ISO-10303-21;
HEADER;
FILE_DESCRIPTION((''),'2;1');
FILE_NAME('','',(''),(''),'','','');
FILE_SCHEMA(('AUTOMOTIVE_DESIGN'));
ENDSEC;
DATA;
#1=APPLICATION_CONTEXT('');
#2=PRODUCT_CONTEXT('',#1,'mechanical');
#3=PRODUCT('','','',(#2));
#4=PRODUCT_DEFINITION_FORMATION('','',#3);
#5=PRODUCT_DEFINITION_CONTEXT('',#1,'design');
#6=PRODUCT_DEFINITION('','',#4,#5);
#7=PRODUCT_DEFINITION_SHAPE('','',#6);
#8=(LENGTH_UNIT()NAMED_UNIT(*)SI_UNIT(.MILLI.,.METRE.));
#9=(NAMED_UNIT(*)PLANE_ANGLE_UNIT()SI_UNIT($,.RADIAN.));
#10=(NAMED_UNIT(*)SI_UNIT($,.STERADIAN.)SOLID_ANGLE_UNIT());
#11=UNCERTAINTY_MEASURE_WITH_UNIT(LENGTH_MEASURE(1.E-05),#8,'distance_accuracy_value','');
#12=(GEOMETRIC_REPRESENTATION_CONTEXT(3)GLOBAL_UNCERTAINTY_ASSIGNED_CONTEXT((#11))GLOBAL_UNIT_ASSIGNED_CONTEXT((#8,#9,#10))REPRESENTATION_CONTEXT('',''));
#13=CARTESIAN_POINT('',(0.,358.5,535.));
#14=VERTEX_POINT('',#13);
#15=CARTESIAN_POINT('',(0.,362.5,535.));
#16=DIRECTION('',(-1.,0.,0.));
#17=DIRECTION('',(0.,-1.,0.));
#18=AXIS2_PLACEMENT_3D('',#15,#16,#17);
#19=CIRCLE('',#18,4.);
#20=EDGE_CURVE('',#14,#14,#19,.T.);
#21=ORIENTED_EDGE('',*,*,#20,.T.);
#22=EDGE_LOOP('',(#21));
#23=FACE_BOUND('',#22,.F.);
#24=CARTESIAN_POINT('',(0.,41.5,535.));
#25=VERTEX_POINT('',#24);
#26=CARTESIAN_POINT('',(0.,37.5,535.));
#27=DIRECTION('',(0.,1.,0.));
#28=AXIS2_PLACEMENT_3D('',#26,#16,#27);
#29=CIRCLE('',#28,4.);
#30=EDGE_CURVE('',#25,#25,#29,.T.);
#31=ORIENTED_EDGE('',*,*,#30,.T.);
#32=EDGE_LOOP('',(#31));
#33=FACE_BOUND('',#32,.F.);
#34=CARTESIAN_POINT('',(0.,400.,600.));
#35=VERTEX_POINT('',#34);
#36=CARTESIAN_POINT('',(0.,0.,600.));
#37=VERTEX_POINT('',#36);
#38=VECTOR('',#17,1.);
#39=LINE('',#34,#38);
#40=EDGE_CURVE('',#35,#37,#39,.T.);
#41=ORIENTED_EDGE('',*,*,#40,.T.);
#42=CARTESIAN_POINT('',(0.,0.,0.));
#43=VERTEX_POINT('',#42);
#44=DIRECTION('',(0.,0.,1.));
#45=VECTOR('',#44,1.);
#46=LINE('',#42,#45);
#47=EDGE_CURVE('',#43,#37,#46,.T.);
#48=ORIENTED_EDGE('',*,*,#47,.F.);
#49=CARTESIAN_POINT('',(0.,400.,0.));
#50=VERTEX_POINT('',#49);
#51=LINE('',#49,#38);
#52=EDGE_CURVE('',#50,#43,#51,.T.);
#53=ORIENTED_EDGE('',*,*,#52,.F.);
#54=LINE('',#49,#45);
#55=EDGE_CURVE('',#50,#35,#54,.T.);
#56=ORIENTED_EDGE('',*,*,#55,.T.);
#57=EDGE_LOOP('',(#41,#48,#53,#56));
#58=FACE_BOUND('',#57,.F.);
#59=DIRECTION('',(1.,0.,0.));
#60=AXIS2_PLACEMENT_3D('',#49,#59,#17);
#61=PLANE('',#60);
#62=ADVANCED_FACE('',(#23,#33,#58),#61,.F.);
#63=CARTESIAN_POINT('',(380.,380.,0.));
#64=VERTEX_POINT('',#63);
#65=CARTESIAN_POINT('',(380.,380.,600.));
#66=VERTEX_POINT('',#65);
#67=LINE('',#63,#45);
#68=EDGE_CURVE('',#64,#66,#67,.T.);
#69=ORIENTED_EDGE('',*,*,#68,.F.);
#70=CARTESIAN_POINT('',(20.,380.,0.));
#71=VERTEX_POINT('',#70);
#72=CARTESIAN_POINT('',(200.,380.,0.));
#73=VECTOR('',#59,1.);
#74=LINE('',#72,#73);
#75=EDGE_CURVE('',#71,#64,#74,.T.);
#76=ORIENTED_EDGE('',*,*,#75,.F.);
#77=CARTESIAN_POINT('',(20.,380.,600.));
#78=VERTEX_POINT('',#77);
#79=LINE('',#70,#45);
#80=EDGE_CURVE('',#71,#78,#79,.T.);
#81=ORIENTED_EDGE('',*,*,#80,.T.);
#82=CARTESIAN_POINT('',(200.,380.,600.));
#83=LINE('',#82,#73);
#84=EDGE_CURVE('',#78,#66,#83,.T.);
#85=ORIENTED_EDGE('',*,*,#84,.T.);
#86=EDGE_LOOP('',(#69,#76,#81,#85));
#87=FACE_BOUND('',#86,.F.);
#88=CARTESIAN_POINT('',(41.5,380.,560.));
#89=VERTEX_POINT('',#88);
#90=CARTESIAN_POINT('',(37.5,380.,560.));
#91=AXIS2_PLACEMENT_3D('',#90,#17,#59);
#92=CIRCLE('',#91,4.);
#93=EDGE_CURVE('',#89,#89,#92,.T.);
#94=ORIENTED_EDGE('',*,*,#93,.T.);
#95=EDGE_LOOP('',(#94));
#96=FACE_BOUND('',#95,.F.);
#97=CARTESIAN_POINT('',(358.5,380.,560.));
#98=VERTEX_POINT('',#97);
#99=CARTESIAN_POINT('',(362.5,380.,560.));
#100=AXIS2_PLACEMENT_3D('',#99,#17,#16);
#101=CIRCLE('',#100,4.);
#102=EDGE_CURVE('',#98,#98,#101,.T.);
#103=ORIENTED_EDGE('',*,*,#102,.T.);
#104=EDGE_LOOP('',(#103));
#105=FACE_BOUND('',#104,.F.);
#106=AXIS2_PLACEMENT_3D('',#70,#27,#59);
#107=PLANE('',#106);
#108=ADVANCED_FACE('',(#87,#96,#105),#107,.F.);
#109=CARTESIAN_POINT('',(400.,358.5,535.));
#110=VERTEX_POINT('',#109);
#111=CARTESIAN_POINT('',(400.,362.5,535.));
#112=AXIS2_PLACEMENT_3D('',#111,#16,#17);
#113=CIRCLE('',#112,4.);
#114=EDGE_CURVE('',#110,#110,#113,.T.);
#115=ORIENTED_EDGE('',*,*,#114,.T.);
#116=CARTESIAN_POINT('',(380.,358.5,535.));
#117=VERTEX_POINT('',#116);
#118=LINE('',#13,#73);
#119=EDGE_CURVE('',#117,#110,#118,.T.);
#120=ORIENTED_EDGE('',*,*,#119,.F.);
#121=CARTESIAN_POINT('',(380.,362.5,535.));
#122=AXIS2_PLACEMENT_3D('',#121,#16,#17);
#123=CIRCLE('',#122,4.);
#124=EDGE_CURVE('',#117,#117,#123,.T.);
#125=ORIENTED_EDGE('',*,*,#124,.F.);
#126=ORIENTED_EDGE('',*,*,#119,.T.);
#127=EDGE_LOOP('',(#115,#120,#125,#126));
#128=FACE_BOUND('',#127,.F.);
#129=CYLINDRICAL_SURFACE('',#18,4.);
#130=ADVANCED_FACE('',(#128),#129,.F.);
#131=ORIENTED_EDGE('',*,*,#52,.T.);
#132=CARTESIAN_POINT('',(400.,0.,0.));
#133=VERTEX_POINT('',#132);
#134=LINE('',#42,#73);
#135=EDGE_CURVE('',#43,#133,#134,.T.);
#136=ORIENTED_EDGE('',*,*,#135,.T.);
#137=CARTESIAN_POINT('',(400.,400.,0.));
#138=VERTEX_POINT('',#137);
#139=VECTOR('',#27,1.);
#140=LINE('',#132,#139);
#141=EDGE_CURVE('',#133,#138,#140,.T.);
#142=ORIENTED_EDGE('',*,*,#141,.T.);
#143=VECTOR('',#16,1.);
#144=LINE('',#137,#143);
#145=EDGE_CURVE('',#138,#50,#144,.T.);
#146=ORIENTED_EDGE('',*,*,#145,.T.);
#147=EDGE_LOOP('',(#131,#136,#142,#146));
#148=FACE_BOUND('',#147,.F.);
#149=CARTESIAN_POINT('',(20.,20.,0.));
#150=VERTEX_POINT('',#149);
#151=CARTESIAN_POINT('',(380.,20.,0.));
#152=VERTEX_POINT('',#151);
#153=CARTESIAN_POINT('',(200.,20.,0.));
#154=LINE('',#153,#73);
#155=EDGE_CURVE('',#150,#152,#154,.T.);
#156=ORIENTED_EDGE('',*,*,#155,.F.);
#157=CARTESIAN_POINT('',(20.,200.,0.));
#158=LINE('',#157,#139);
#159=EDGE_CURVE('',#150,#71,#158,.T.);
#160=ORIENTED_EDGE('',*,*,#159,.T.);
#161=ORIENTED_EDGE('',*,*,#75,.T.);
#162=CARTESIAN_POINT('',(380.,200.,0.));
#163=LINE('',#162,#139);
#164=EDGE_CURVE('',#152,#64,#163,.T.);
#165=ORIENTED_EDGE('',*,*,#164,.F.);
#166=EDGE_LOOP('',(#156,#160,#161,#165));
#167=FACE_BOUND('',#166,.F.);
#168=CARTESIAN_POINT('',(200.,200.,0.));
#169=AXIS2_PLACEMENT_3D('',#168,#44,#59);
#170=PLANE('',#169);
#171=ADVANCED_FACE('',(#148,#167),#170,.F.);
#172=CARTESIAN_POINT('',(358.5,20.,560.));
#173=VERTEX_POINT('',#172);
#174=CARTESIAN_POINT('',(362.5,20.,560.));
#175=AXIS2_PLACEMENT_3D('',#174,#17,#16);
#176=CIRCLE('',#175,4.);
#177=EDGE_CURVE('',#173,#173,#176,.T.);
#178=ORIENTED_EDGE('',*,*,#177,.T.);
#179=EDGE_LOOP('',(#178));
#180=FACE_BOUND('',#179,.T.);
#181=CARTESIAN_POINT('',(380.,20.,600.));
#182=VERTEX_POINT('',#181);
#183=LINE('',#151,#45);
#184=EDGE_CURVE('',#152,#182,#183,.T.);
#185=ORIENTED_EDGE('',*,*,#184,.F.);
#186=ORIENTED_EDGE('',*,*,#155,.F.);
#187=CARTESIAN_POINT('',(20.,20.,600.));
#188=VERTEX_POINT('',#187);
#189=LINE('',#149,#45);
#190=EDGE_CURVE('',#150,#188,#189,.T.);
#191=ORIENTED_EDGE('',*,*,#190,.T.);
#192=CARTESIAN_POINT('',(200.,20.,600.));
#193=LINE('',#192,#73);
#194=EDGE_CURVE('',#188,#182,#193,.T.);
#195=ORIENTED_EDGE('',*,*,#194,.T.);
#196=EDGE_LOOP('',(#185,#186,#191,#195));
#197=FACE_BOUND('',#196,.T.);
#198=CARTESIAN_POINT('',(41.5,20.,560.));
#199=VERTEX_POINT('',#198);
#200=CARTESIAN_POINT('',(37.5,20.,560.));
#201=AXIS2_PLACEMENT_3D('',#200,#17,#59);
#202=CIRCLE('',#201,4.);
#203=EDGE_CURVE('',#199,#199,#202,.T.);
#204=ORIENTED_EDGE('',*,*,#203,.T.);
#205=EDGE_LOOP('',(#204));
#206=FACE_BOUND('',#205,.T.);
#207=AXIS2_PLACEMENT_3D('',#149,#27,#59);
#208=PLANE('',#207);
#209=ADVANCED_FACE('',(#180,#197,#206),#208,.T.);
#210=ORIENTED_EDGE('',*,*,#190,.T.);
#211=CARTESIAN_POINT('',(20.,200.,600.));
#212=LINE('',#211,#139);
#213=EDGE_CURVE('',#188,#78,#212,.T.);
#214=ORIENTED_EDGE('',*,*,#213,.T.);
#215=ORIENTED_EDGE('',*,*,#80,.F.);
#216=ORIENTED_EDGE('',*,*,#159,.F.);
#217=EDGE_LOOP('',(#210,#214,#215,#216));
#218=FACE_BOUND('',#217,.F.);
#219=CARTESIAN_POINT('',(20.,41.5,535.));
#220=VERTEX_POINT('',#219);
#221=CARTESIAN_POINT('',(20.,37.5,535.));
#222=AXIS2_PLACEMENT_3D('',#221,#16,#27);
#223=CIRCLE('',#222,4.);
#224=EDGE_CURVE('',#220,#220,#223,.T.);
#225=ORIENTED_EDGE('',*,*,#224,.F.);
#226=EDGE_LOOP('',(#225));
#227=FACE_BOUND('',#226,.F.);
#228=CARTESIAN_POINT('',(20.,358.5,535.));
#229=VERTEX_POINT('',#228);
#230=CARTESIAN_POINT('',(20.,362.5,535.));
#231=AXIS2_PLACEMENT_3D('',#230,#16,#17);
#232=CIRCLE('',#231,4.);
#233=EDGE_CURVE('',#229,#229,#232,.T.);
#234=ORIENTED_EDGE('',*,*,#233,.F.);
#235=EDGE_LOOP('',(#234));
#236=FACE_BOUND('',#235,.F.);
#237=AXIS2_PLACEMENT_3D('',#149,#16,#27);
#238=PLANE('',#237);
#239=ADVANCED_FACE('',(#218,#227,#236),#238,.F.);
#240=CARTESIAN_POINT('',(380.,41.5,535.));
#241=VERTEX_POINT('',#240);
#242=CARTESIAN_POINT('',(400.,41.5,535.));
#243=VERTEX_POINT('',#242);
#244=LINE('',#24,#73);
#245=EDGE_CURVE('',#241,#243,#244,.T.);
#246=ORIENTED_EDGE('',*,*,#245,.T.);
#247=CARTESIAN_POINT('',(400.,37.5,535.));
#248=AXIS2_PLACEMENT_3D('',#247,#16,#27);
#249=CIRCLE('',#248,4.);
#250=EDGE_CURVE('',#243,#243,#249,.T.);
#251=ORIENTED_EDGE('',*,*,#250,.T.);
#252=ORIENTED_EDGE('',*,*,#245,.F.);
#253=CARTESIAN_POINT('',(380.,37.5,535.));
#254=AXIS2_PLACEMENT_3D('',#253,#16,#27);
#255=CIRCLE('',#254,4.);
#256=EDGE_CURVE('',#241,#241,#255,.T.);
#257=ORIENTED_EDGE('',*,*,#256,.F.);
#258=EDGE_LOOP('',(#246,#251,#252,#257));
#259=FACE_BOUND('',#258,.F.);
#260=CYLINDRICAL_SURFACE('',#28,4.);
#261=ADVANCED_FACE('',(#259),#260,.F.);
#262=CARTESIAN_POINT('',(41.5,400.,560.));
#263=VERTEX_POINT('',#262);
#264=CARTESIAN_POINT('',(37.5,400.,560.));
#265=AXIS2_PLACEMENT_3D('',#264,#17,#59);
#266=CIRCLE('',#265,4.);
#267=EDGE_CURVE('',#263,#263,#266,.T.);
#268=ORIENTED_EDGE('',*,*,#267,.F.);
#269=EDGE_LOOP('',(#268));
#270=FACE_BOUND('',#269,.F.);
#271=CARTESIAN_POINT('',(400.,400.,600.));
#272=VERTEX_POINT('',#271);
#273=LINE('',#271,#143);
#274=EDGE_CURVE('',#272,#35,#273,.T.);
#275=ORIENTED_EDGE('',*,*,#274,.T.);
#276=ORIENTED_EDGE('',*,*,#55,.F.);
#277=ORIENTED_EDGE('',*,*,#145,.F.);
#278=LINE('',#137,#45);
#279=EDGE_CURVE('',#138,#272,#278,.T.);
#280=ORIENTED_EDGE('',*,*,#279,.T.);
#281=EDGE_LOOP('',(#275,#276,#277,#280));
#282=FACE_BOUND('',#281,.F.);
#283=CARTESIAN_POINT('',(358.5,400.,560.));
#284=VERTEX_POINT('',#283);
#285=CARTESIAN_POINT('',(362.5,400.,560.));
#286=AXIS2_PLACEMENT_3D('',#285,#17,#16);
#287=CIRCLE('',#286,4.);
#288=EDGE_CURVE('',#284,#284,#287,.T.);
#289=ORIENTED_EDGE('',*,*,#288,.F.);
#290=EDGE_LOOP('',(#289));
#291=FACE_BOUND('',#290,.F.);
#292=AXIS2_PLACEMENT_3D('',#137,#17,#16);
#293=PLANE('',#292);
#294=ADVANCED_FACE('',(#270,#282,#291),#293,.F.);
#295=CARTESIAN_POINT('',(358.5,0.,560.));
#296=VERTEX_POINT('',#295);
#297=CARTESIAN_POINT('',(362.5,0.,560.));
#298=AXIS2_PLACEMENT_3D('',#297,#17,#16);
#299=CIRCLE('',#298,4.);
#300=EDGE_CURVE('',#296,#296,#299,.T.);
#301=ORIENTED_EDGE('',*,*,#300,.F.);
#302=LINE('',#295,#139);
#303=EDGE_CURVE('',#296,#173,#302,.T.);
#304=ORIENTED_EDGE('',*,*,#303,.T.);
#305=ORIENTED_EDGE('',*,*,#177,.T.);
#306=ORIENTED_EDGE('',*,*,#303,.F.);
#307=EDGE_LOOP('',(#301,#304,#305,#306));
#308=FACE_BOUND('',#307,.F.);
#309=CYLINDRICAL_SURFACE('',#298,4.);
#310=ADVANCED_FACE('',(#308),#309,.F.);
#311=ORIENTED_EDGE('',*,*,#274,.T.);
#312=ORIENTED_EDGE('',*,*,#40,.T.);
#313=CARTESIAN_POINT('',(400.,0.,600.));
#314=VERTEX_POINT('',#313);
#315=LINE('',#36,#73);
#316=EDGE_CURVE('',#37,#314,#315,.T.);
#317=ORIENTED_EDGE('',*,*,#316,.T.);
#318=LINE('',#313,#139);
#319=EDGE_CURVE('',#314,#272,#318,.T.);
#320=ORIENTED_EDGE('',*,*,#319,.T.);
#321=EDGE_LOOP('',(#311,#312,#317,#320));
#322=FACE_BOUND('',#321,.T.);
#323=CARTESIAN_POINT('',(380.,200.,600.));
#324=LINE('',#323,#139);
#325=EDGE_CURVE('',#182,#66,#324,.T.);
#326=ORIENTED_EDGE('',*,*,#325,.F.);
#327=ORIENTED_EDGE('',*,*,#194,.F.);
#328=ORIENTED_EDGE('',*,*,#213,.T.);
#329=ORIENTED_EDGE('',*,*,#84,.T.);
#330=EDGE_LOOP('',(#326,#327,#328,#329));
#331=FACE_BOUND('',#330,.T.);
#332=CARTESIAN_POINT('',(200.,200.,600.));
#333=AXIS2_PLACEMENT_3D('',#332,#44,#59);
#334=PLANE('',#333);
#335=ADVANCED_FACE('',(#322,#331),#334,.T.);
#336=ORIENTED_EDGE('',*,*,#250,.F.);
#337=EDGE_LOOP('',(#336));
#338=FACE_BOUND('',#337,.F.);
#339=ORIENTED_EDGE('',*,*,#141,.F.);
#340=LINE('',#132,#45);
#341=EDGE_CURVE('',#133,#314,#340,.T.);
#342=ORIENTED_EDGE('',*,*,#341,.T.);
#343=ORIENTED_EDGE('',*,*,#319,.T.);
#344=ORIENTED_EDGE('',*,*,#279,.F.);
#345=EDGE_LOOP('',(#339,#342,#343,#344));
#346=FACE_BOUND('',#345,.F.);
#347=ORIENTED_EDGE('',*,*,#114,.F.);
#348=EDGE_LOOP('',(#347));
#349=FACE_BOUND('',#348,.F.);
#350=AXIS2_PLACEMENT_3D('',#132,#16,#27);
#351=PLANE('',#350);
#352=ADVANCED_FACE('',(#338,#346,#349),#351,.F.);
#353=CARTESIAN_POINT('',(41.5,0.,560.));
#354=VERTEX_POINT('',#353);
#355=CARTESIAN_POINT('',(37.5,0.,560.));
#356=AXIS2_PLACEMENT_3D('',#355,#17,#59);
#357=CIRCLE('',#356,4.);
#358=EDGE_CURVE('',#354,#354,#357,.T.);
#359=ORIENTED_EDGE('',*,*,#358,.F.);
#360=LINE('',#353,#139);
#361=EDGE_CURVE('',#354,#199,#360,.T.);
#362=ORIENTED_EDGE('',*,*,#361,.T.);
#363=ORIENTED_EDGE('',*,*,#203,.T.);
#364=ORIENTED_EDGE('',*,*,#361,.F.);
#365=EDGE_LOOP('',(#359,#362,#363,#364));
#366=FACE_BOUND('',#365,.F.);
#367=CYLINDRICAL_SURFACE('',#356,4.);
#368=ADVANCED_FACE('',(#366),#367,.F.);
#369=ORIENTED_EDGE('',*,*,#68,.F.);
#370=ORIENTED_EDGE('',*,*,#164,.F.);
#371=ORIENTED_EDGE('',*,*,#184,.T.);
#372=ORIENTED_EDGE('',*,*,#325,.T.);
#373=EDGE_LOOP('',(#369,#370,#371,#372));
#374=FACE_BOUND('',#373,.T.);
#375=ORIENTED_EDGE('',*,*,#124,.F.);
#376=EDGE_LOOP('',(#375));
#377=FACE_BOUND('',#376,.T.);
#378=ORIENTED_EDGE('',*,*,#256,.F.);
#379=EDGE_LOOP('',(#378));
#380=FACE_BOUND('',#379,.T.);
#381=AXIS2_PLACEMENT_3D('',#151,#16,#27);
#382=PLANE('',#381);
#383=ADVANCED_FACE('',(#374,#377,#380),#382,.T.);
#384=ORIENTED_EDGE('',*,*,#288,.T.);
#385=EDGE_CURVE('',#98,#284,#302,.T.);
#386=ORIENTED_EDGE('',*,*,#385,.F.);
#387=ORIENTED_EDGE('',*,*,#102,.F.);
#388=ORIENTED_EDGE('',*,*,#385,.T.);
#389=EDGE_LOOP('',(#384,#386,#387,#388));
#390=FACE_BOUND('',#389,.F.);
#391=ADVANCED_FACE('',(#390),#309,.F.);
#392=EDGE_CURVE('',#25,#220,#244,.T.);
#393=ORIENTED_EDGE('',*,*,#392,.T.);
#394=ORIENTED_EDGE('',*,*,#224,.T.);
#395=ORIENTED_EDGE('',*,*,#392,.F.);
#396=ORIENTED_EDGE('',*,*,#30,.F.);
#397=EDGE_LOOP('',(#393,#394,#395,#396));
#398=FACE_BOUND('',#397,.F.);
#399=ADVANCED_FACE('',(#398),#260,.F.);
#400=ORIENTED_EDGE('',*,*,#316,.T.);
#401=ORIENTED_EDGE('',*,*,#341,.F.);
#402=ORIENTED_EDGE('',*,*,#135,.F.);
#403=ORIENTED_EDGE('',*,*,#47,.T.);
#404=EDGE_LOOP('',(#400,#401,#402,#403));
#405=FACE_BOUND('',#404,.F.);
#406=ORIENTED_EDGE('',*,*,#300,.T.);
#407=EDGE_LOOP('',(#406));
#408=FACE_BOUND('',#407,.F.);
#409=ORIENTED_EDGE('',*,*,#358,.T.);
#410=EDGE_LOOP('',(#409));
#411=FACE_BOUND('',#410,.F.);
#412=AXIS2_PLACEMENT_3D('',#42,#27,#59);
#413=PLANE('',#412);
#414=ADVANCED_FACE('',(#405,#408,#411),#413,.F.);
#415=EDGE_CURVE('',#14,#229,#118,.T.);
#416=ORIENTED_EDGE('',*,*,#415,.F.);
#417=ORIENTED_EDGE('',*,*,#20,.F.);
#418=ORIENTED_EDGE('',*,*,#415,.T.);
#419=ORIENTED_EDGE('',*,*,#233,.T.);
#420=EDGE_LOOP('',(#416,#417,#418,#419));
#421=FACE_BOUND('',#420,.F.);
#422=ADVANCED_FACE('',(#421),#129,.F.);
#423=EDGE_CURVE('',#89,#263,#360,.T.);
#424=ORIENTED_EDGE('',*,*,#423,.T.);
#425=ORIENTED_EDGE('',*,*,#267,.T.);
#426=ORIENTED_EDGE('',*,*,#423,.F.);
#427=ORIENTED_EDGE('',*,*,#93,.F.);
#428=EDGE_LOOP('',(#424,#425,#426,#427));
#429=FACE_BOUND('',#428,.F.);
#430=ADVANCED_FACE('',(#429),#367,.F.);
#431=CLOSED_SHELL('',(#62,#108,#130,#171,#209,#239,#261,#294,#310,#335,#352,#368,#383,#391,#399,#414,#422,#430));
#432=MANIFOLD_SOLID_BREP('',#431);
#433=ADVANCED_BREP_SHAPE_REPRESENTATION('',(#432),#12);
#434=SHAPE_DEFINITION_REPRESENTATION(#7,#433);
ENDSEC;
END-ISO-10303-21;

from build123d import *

# Parameters (mm, degrees)
F0_W     = 360
F0_H     = 360
F1_DEPTH = 600
F2_R     = 4
F3_DEPTH = 406
F4_R     = 4
F5_DEPTH = 467


with BuildPart() as f1:
    # F0 (on Top) → F1 (new body)
    with BuildSketch(Plane.XY):
        Polygon((0, 400), (0, 0), (20, 0), (400, 0), (400, 400), align=None)
        with Locations((200, 200)):
            Rectangle(F0_W, F0_H, mode=Mode.SUBTRACT)
    extrude(amount=F1_DEPTH)

    # F2 (on face) → F3 (cut)
    with BuildSketch(Plane.XZ):
        with Locations((37.5, 560)):
            Circle(F2_R)
        with BuildLine():
            ThreePointArc((366.5, 560), (362.5, 564), (358.5, 560))
            ThreePointArc((358.5, 560), (362.5, 556), (366.5, 560))
        make_face()
    extrude(amount=-F3_DEPTH, mode=Mode.SUBTRACT)

    # F4 (on face) → F5 (cut)
    with BuildSketch(Plane(origin=(0, 0, 0), x_dir=(0, -1, 0), z_dir=(-1, 0, 0))):
        with Locations((-362.5, 535)):
            Circle(F4_R)
        with BuildLine():
            ThreePointArc((-33.5, 535), (-37.5, 539), (-41.5, 535))
            ThreePointArc((-41.5, 535), (-37.5, 531), (-33.5, 535))
        make_face()
    extrude(amount=-F5_DEPTH, mode=Mode.SUBTRACT)


solid = f1.part
